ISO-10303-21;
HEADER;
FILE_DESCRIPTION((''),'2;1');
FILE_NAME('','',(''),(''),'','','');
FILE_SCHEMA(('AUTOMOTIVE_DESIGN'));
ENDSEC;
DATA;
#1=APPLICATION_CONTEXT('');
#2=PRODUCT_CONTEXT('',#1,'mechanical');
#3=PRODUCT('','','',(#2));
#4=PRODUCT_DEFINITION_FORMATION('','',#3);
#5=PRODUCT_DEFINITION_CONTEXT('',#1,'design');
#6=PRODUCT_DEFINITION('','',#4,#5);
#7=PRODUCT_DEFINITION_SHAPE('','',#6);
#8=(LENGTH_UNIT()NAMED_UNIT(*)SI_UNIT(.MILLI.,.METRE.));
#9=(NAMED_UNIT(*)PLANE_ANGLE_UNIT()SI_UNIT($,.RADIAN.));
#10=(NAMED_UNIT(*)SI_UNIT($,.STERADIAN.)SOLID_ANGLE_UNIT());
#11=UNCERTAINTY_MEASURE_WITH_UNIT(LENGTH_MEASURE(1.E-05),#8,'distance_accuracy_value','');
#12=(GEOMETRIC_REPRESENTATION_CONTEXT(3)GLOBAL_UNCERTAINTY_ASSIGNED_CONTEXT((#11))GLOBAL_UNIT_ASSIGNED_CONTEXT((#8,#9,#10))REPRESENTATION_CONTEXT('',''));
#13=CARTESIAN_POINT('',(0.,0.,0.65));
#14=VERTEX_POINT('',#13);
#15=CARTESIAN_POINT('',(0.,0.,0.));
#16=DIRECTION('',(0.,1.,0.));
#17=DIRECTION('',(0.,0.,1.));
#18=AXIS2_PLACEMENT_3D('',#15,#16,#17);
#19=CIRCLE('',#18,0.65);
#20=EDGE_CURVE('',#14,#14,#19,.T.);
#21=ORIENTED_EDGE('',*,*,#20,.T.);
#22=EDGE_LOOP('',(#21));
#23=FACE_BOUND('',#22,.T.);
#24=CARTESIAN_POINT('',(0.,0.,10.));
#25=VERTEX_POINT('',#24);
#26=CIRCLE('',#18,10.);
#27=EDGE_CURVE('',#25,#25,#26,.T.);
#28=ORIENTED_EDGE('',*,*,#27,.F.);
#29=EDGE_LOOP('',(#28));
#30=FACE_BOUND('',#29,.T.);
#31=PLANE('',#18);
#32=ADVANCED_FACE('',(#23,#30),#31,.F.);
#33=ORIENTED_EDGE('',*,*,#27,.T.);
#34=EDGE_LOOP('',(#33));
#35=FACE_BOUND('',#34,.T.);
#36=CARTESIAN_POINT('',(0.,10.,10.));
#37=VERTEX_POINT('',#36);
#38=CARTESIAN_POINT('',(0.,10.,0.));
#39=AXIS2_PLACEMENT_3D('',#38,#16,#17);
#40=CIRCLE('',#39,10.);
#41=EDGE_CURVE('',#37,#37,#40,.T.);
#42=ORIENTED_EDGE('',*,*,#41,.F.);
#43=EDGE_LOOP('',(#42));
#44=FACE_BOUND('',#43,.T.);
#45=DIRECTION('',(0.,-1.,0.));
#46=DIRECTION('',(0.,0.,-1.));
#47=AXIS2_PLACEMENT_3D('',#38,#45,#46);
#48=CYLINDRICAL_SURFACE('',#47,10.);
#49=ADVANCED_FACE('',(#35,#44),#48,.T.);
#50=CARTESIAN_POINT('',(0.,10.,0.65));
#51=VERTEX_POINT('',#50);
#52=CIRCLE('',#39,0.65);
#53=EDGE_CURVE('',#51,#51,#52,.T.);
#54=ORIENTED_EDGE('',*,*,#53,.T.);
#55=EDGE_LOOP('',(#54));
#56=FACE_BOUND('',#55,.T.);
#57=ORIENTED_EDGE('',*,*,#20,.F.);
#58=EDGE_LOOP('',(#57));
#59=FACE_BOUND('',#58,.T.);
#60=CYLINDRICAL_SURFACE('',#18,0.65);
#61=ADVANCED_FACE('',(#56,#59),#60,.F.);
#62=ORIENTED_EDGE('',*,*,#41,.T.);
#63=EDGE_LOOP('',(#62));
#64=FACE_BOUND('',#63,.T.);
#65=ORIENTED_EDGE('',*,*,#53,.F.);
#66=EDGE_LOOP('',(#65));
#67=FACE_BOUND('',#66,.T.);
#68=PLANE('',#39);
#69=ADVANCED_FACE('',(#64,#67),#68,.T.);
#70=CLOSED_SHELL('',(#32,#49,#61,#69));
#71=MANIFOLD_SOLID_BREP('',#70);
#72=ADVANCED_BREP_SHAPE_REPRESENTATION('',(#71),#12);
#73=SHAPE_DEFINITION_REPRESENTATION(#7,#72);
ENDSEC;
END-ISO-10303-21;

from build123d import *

# Parameters (mm, degrees)
SKETCH1_R           = 10
BOSS_EXTRUDE1_DEPTH = 10
SKETCH2_R           = 0.65
CUT_EXTRUDE1_DEPTH  = 10


with BuildPart() as part:
    # Sketch1 → Boss-Extrude1 (new body)
    with BuildSketch(Plane(origin=(0, 0, 0), x_dir=(1, 0, 0), z_dir=(0, 1, 0))):
        with Locations(Location((0, 0, 0), (0, 0, 270))):
            Circle(SKETCH1_R)
    extrude(amount=BOSS_EXTRUDE1_DEPTH)

    # Sketch2 → Cut-Extrude1 (cut)
    with BuildSketch(Plane(origin=(0, 10, 0), x_dir=(1, 0, 0), z_dir=(0, 1, 0))):
        with Locations(Location((0, 0, 0), (0, 0, 270))):
            Circle(SKETCH2_R)
    extrude(amount=-CUT_EXTRUDE1_DEPTH, mode=Mode.SUBTRACT)


solid = part.part
